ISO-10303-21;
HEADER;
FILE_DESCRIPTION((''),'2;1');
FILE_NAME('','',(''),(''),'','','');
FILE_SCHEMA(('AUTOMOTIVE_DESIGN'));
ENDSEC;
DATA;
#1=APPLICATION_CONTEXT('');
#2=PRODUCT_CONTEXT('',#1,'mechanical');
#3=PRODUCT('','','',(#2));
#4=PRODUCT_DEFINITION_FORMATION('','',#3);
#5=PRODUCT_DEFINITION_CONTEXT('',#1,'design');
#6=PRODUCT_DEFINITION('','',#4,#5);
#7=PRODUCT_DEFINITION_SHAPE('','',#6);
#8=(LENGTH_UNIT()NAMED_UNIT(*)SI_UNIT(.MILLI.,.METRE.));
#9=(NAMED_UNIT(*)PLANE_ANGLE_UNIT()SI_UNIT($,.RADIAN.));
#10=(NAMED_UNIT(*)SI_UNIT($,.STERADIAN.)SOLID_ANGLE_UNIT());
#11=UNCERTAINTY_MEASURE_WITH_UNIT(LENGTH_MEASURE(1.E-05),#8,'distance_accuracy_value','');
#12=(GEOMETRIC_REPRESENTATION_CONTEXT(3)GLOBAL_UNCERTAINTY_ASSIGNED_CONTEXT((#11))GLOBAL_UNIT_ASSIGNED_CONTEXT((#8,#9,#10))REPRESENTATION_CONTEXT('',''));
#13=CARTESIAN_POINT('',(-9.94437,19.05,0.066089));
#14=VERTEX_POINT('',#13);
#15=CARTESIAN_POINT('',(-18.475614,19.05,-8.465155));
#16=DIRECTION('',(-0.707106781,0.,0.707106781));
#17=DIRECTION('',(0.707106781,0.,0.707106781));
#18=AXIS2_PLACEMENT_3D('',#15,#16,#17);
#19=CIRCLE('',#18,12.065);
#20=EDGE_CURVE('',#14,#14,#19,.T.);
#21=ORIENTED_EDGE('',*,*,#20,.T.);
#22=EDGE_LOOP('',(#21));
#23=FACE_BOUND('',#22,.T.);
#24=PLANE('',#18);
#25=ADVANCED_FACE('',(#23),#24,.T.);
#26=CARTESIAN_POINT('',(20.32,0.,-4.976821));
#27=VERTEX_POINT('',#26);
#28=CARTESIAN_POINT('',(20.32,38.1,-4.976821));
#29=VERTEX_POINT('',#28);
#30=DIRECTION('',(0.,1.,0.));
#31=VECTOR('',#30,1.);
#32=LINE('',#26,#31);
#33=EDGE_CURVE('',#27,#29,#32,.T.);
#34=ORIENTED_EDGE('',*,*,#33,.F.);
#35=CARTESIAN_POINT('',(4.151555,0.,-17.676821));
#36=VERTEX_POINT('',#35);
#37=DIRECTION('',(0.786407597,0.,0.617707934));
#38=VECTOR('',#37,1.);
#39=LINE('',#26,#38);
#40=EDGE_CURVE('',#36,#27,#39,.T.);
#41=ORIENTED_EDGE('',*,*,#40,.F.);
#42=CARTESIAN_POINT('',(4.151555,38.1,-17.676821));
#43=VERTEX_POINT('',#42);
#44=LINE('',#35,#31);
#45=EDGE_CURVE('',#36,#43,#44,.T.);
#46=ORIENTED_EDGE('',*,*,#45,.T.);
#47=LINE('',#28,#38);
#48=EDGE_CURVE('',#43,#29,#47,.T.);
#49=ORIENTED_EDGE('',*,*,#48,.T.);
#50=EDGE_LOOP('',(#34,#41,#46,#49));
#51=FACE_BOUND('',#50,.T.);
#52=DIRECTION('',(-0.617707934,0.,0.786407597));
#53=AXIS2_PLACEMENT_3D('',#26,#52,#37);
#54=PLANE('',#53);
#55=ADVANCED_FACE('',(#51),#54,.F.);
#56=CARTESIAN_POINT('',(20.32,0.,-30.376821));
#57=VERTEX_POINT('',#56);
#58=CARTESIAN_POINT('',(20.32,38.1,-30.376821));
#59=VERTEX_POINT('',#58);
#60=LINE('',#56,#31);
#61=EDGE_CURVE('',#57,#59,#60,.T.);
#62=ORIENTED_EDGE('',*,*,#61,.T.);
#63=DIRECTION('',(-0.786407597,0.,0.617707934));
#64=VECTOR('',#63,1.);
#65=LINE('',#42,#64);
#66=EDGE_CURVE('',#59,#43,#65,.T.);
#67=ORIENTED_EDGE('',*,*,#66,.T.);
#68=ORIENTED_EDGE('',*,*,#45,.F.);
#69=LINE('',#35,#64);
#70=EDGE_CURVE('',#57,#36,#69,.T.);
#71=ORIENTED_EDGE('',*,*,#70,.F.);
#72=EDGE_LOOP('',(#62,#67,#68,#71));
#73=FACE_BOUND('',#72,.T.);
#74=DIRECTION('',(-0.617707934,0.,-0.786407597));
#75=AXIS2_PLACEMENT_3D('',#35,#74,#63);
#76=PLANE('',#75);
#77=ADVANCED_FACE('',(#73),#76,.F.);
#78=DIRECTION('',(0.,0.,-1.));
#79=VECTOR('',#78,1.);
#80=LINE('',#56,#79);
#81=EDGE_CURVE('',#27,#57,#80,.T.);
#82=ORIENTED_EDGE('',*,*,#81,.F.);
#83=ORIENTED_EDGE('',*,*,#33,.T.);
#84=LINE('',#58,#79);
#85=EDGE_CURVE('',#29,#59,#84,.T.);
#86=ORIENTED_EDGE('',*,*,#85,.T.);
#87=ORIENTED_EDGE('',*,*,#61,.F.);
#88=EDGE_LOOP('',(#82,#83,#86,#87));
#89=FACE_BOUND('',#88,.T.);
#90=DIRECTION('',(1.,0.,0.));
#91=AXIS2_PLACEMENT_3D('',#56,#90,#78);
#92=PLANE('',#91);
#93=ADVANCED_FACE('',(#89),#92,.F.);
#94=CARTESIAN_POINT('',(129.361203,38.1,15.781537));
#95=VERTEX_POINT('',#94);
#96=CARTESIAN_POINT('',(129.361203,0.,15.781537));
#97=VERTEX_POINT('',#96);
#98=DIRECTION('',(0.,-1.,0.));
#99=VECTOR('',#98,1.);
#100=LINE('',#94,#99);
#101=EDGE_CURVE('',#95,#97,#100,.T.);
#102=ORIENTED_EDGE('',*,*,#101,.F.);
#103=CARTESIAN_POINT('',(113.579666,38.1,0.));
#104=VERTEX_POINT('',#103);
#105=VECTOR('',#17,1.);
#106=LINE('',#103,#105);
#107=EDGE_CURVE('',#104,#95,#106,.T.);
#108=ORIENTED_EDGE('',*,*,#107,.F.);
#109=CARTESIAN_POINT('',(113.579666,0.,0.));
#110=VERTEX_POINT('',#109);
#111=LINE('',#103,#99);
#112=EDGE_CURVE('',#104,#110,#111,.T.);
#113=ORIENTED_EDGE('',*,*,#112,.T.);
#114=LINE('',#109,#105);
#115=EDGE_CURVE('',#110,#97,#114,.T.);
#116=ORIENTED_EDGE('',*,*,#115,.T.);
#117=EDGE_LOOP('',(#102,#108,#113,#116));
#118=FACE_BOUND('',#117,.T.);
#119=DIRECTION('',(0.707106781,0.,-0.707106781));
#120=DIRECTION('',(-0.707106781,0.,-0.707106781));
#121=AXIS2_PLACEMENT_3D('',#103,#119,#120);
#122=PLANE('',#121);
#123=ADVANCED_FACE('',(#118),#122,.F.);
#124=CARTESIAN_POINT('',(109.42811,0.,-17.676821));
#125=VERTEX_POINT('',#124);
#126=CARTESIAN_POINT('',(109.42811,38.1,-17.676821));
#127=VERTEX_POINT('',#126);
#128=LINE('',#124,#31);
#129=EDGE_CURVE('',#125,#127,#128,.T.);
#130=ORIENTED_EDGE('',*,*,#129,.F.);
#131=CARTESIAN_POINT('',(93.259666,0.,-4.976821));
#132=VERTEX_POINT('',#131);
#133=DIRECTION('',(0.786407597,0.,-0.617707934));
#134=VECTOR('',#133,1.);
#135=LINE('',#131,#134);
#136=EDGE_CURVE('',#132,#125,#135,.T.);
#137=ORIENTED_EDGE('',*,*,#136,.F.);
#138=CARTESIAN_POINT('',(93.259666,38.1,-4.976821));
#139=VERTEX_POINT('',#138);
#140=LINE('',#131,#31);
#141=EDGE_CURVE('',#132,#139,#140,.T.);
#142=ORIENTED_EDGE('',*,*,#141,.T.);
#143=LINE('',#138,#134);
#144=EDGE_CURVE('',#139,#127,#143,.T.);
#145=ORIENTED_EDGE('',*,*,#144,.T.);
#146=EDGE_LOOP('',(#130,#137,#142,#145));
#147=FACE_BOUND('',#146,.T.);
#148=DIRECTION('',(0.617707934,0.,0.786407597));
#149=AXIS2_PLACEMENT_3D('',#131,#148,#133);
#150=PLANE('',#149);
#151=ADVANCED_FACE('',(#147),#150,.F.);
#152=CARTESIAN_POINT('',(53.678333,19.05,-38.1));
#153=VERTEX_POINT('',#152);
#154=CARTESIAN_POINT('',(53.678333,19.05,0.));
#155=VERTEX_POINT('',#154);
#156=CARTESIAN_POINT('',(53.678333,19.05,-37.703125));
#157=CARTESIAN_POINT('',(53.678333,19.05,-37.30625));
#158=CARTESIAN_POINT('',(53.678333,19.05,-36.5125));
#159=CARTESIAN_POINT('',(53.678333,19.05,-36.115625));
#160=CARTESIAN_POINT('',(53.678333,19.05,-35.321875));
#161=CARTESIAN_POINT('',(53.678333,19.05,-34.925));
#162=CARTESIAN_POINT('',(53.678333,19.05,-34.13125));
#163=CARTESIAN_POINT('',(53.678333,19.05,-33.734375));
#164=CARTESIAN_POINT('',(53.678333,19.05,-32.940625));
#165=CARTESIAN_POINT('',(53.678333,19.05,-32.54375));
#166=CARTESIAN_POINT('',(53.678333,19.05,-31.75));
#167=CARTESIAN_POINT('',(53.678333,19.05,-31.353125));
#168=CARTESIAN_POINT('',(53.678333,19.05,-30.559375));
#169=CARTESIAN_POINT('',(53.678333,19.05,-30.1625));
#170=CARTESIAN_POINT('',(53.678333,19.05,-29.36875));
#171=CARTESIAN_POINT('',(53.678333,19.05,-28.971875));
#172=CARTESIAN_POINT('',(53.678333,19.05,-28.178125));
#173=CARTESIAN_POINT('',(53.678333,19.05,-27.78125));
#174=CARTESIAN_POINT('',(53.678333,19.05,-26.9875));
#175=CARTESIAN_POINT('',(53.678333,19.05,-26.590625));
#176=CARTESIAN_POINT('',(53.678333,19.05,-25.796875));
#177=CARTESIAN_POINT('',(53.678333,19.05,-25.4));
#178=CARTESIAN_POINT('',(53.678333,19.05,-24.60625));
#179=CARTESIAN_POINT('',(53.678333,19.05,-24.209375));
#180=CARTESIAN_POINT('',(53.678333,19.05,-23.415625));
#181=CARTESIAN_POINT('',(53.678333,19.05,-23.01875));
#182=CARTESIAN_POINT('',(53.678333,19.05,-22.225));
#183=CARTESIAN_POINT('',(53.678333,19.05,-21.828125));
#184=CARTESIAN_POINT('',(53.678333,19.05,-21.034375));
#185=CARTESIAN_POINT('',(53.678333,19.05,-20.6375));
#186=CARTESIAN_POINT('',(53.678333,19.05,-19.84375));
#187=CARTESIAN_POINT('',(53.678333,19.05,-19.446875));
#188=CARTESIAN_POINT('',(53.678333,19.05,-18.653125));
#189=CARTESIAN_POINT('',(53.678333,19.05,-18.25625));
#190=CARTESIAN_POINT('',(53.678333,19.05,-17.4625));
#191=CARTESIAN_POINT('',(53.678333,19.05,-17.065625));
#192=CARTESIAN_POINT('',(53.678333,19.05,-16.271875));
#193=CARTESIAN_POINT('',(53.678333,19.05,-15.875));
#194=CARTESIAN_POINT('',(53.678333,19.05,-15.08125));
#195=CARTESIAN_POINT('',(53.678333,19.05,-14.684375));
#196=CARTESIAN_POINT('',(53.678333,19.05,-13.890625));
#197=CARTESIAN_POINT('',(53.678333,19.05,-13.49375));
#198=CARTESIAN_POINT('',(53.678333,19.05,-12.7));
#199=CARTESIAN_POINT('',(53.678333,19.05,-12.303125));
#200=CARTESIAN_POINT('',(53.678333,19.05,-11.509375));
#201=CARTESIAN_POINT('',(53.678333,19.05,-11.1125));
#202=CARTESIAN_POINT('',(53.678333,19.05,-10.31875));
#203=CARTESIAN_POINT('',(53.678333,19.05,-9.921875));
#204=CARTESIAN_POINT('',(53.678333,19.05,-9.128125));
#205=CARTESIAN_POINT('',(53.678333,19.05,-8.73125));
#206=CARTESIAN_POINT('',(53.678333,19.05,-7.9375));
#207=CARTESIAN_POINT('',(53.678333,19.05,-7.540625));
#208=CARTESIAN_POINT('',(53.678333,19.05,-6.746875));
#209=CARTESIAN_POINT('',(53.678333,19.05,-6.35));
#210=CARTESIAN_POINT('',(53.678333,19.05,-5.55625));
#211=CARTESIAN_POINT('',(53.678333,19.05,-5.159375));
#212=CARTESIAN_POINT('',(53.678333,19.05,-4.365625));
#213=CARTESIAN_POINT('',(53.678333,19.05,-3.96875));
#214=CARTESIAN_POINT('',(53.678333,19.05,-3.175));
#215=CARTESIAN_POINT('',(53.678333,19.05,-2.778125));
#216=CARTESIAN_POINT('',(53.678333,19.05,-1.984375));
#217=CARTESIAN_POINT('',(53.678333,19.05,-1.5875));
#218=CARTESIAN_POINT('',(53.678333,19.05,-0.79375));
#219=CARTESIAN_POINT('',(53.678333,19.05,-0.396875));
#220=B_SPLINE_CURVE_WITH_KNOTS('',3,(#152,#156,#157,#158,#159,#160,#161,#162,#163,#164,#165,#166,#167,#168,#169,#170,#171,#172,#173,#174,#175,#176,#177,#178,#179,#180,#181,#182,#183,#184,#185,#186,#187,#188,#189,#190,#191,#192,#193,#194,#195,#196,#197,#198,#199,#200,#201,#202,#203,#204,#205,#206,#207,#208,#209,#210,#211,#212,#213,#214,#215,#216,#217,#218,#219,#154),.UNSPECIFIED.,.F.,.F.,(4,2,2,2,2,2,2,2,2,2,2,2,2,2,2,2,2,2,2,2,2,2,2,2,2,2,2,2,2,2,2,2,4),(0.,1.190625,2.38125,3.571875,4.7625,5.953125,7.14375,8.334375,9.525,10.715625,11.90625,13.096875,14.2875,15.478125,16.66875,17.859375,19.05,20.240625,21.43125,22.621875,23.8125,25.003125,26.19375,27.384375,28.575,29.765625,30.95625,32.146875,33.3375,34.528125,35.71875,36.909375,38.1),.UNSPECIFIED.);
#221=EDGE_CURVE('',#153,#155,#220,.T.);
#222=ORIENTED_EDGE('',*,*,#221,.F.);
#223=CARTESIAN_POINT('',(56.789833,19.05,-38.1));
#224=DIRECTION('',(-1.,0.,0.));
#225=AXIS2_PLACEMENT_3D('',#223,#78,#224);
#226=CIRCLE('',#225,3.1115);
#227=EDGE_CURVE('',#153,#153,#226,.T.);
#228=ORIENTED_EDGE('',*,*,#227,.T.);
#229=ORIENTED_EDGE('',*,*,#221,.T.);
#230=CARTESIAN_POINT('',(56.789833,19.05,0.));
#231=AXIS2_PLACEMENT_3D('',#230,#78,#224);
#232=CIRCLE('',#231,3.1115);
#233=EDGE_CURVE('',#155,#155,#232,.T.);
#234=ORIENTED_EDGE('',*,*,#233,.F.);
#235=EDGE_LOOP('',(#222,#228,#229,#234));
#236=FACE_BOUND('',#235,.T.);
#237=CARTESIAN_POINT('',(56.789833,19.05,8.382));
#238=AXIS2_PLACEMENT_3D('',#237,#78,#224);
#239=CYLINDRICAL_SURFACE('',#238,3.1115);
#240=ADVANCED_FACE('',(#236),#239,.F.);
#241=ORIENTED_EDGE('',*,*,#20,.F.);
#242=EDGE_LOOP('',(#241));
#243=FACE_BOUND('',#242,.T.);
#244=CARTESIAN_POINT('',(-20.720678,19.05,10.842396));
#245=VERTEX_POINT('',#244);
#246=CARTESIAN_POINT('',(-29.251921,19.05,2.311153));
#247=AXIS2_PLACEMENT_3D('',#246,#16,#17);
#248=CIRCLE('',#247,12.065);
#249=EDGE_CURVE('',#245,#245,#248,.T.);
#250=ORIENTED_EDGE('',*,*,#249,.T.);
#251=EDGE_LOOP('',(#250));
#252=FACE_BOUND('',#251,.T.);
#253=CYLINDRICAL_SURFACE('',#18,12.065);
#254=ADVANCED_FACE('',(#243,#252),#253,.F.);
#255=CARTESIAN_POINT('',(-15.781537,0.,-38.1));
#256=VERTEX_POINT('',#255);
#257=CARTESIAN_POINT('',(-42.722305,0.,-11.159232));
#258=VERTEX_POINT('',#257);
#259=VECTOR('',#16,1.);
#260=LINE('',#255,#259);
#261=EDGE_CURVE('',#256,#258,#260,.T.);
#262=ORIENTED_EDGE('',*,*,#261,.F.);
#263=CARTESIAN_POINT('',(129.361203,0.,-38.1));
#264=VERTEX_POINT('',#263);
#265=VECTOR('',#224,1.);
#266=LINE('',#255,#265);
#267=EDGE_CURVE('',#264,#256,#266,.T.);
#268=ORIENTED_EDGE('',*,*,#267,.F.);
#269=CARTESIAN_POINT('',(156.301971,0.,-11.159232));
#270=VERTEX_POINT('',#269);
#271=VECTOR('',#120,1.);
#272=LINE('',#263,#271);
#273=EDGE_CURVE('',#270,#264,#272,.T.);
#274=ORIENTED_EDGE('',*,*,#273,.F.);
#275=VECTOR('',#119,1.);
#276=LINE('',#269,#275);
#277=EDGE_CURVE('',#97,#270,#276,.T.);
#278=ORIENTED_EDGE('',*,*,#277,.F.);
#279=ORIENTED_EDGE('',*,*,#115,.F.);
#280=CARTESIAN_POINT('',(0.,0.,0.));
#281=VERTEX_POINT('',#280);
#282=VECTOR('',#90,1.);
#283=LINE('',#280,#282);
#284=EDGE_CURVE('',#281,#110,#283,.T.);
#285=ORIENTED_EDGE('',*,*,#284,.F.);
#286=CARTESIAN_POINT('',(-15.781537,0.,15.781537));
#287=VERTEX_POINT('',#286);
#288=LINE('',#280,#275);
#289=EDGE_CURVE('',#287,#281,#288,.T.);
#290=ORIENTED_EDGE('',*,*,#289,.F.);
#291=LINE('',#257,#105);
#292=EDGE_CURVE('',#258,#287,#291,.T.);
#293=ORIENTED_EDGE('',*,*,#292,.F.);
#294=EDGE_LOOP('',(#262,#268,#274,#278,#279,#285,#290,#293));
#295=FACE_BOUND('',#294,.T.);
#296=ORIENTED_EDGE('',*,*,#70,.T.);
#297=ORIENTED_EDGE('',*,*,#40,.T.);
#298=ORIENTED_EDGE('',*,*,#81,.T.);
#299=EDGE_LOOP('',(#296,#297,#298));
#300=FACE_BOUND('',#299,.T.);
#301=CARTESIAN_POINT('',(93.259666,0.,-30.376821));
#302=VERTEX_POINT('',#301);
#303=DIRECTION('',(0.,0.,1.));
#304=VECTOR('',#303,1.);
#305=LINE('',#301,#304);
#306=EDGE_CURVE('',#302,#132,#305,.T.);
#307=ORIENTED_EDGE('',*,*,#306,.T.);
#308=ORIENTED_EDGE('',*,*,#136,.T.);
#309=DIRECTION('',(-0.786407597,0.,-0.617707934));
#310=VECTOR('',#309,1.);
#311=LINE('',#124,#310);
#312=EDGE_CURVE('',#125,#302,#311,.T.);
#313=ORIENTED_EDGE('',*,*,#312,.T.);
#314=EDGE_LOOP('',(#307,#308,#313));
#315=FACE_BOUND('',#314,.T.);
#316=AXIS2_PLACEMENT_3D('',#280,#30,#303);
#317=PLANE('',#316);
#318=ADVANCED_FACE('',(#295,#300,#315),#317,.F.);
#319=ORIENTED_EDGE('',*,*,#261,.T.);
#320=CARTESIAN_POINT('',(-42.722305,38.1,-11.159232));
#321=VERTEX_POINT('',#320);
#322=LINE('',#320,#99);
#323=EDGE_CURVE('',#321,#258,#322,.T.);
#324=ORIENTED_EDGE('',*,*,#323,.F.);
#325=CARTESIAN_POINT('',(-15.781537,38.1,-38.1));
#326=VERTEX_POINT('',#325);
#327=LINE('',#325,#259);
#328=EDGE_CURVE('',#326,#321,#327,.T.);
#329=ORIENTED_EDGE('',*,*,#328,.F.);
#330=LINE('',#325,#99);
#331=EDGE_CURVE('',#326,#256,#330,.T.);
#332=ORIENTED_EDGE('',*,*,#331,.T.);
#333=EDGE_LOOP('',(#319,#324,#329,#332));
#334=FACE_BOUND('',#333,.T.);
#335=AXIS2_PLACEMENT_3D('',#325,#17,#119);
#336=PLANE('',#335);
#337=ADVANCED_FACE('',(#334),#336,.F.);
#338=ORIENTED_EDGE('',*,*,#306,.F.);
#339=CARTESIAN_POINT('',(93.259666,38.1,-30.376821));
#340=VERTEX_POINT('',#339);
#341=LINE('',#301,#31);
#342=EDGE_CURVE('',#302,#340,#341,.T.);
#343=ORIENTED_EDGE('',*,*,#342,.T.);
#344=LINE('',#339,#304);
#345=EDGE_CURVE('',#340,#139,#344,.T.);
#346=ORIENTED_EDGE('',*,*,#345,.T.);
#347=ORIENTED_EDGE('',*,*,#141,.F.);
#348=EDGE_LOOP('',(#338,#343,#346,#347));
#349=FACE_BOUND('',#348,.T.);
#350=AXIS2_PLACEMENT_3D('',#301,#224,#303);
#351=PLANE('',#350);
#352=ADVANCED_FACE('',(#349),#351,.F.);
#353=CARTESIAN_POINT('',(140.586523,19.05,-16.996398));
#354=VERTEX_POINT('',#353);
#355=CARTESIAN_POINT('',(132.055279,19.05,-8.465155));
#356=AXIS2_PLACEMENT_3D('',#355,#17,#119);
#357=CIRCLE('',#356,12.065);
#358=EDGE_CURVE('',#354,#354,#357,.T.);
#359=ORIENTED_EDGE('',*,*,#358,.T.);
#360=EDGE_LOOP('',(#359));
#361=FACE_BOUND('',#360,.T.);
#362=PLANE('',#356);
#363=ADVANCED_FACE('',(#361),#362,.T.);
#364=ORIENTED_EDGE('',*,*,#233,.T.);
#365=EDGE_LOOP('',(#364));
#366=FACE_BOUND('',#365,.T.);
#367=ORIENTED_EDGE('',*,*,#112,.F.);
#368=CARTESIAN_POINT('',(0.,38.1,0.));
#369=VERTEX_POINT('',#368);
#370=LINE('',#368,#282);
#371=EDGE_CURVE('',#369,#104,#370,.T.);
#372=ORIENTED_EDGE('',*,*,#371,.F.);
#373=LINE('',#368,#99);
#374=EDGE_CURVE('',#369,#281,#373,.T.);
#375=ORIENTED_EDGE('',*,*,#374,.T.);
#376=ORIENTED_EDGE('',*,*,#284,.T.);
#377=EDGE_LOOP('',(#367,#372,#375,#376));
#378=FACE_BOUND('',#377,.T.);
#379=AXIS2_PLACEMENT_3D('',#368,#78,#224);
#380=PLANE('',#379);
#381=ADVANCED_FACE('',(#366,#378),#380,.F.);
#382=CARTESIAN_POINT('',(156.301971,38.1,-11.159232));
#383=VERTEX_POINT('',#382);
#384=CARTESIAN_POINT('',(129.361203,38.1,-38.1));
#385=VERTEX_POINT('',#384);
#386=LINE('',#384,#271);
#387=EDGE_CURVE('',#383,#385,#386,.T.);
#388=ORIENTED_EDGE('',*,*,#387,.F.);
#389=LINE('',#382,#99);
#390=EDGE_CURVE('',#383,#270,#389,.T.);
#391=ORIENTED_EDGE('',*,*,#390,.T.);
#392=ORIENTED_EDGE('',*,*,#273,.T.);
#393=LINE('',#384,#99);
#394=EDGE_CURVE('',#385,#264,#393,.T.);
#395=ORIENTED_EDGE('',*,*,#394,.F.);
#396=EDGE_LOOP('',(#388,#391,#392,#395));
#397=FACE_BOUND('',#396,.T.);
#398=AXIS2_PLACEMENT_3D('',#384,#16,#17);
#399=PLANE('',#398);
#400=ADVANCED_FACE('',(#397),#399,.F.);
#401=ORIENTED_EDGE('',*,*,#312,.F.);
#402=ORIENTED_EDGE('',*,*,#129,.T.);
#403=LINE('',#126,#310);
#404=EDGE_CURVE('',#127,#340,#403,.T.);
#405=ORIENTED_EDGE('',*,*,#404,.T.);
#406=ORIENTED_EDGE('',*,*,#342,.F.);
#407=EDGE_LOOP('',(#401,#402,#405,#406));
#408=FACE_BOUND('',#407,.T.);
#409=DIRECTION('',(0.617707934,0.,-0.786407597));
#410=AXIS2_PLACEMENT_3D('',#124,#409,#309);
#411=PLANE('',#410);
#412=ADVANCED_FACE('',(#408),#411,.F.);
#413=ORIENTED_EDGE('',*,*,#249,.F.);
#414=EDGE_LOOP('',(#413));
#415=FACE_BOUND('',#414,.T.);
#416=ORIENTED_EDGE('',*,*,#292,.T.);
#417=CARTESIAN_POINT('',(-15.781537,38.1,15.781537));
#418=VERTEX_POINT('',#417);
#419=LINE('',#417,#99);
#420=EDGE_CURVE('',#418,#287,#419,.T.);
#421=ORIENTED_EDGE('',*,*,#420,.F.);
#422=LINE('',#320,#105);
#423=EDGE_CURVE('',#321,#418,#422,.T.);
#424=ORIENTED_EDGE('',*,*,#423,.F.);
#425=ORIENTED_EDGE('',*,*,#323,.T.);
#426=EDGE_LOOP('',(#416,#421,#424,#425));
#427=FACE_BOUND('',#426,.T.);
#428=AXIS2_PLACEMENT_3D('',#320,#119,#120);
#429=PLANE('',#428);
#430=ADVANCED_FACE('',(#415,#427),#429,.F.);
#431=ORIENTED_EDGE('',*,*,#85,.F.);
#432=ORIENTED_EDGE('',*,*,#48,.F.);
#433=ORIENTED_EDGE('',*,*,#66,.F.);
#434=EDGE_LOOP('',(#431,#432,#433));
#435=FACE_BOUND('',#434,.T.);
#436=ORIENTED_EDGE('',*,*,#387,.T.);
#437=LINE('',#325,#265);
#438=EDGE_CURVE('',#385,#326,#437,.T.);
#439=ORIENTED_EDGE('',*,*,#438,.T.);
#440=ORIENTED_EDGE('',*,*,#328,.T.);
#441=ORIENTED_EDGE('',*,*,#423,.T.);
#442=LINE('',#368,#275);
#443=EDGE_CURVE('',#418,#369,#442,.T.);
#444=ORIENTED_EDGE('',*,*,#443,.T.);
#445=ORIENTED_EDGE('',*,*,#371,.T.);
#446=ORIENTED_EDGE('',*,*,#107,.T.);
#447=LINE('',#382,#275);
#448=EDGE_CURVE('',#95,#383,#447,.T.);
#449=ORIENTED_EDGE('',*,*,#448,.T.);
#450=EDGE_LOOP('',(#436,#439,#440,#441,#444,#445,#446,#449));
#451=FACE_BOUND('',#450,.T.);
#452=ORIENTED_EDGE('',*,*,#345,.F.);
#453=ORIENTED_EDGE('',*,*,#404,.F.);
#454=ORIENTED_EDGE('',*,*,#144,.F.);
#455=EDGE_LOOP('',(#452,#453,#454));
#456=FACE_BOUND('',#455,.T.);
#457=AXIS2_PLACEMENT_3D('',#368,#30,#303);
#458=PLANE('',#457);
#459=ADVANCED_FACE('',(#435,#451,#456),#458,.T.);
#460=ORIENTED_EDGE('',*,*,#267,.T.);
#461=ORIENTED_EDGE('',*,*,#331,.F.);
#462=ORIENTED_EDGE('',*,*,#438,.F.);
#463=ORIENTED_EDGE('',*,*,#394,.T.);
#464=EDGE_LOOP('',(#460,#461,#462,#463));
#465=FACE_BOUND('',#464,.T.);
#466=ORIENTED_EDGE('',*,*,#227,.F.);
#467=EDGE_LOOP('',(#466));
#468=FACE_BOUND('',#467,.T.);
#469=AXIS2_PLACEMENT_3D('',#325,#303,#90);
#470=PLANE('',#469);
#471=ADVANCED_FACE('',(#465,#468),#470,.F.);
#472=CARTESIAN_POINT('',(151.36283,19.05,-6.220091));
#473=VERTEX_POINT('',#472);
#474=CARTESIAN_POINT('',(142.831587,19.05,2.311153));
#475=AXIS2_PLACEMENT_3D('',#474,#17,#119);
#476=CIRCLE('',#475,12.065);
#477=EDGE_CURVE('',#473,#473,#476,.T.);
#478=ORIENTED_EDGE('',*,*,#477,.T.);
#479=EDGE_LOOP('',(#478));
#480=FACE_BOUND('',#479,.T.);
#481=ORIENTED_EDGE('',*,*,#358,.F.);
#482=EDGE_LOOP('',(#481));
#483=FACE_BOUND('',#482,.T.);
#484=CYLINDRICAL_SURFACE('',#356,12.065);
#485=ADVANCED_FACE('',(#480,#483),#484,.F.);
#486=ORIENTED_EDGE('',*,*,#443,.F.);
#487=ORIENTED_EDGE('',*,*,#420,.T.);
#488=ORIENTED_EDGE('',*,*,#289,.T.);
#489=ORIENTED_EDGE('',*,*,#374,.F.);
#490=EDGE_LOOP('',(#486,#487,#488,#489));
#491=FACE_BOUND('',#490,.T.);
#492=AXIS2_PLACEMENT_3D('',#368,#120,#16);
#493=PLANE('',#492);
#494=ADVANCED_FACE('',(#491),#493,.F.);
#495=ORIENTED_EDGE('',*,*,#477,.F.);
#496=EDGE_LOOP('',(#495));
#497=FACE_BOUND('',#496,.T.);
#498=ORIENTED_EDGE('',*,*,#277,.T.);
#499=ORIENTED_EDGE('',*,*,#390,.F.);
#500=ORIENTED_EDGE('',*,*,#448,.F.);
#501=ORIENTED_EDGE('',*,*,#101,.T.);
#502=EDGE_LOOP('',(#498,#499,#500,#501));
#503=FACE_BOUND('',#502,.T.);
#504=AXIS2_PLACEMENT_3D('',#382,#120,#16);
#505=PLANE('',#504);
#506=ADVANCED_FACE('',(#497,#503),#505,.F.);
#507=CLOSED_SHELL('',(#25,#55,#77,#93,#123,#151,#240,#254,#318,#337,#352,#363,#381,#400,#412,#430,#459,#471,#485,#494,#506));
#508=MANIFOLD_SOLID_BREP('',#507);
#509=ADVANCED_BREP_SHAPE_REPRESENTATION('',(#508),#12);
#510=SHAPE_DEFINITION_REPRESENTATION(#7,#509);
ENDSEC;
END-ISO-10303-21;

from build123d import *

# Parameters (mm, degrees)
BOSS_EXTRUDE1_DEPTH = 38.1
SKETCH2_R           = 12.065
CUT_EXTRUDE1_DEPTH  = 15.24
SKETCH3_R           = 12.065
CUT_EXTRUDE2_DEPTH  = 15.24
CUT_EXTRUDE3_DEPTH  = 38.1
SKETCH6_R           = 3.1115
CUT_EXTRUDE4_DEPTH  = 46.482


with BuildPart() as part:
    # Sketch1 → Boss-Extrude1 (new body)
    with BuildSketch(Plane(origin=(0, 0, 0), x_dir=(1, 0, 0), z_dir=(0, 1, 0))):
        Polygon((0, 0), (113.579665808, 0), (129.361202535, -15.781536726), (156.301970898, 11.159231637), (129.361202535, 38.1), (-15.781536726, 38.1), (-42.72230509, 11.159231637), (-15.781536726, -15.781536726), align=None)
    extrude(amount=BOSS_EXTRUDE1_DEPTH)

    # Sketch2 → Cut-Extrude1 (cut)
    with BuildSketch(Plane(origin=(-15.781536726, 0, 15.781536726), x_dir=(0.7071067811865477, 0, 0.7071067811865475), z_dir=(-0.7071067811865475, 0, 0.7071067811865477))):
        with Locations((-19.05, 19.05)):
            Circle(SKETCH2_R)
    extrude(amount=-CUT_EXTRUDE1_DEPTH, mode=Mode.SUBTRACT)

    # Sketch3 → Cut-Extrude2 (cut)
    with BuildSketch(Plane(origin=(72.57136963, 0, 72.57136963), x_dir=(0.7071067811865478, 0, -0.7071067811865474), z_dir=(0.7071067811865474, 0, 0.7071067811865478))):
        with Locations((99.362951898, 19.05)):
            Circle(SKETCH3_R)
    extrude(amount=-CUT_EXTRUDE2_DEPTH, mode=Mode.SUBTRACT)

    # Sketch5 → Cut-Extrude3 (cut)
    with BuildSketch(Plane(origin=(0, 38.1, 0), x_dir=(1, 0, 0), z_dir=(0, 1, 0))):
        Polygon((4.151555437, 17.676821295), (20.32, 30.376821295), (20.32, 4.976821295), align=None)
        Polygon((93.259665808, 30.376821295), (93.259665808, 4.976821295), (109.428110371, 17.676821295), align=None)
    extrude(amount=-CUT_EXTRUDE3_DEPTH, mode=Mode.SUBTRACT)

    # Sketch6 → Cut-Extrude4 (cut)
    with BuildSketch(Plane(origin=(0, 0, -38.1), x_dir=(-1, 0, 0), z_dir=(0, 0, -1))):
        with Locations((-56.789832904, 19.05)):
            Circle(SKETCH6_R)
    extrude(amount=-CUT_EXTRUDE4_DEPTH, mode=Mode.SUBTRACT)


solid = part.part
